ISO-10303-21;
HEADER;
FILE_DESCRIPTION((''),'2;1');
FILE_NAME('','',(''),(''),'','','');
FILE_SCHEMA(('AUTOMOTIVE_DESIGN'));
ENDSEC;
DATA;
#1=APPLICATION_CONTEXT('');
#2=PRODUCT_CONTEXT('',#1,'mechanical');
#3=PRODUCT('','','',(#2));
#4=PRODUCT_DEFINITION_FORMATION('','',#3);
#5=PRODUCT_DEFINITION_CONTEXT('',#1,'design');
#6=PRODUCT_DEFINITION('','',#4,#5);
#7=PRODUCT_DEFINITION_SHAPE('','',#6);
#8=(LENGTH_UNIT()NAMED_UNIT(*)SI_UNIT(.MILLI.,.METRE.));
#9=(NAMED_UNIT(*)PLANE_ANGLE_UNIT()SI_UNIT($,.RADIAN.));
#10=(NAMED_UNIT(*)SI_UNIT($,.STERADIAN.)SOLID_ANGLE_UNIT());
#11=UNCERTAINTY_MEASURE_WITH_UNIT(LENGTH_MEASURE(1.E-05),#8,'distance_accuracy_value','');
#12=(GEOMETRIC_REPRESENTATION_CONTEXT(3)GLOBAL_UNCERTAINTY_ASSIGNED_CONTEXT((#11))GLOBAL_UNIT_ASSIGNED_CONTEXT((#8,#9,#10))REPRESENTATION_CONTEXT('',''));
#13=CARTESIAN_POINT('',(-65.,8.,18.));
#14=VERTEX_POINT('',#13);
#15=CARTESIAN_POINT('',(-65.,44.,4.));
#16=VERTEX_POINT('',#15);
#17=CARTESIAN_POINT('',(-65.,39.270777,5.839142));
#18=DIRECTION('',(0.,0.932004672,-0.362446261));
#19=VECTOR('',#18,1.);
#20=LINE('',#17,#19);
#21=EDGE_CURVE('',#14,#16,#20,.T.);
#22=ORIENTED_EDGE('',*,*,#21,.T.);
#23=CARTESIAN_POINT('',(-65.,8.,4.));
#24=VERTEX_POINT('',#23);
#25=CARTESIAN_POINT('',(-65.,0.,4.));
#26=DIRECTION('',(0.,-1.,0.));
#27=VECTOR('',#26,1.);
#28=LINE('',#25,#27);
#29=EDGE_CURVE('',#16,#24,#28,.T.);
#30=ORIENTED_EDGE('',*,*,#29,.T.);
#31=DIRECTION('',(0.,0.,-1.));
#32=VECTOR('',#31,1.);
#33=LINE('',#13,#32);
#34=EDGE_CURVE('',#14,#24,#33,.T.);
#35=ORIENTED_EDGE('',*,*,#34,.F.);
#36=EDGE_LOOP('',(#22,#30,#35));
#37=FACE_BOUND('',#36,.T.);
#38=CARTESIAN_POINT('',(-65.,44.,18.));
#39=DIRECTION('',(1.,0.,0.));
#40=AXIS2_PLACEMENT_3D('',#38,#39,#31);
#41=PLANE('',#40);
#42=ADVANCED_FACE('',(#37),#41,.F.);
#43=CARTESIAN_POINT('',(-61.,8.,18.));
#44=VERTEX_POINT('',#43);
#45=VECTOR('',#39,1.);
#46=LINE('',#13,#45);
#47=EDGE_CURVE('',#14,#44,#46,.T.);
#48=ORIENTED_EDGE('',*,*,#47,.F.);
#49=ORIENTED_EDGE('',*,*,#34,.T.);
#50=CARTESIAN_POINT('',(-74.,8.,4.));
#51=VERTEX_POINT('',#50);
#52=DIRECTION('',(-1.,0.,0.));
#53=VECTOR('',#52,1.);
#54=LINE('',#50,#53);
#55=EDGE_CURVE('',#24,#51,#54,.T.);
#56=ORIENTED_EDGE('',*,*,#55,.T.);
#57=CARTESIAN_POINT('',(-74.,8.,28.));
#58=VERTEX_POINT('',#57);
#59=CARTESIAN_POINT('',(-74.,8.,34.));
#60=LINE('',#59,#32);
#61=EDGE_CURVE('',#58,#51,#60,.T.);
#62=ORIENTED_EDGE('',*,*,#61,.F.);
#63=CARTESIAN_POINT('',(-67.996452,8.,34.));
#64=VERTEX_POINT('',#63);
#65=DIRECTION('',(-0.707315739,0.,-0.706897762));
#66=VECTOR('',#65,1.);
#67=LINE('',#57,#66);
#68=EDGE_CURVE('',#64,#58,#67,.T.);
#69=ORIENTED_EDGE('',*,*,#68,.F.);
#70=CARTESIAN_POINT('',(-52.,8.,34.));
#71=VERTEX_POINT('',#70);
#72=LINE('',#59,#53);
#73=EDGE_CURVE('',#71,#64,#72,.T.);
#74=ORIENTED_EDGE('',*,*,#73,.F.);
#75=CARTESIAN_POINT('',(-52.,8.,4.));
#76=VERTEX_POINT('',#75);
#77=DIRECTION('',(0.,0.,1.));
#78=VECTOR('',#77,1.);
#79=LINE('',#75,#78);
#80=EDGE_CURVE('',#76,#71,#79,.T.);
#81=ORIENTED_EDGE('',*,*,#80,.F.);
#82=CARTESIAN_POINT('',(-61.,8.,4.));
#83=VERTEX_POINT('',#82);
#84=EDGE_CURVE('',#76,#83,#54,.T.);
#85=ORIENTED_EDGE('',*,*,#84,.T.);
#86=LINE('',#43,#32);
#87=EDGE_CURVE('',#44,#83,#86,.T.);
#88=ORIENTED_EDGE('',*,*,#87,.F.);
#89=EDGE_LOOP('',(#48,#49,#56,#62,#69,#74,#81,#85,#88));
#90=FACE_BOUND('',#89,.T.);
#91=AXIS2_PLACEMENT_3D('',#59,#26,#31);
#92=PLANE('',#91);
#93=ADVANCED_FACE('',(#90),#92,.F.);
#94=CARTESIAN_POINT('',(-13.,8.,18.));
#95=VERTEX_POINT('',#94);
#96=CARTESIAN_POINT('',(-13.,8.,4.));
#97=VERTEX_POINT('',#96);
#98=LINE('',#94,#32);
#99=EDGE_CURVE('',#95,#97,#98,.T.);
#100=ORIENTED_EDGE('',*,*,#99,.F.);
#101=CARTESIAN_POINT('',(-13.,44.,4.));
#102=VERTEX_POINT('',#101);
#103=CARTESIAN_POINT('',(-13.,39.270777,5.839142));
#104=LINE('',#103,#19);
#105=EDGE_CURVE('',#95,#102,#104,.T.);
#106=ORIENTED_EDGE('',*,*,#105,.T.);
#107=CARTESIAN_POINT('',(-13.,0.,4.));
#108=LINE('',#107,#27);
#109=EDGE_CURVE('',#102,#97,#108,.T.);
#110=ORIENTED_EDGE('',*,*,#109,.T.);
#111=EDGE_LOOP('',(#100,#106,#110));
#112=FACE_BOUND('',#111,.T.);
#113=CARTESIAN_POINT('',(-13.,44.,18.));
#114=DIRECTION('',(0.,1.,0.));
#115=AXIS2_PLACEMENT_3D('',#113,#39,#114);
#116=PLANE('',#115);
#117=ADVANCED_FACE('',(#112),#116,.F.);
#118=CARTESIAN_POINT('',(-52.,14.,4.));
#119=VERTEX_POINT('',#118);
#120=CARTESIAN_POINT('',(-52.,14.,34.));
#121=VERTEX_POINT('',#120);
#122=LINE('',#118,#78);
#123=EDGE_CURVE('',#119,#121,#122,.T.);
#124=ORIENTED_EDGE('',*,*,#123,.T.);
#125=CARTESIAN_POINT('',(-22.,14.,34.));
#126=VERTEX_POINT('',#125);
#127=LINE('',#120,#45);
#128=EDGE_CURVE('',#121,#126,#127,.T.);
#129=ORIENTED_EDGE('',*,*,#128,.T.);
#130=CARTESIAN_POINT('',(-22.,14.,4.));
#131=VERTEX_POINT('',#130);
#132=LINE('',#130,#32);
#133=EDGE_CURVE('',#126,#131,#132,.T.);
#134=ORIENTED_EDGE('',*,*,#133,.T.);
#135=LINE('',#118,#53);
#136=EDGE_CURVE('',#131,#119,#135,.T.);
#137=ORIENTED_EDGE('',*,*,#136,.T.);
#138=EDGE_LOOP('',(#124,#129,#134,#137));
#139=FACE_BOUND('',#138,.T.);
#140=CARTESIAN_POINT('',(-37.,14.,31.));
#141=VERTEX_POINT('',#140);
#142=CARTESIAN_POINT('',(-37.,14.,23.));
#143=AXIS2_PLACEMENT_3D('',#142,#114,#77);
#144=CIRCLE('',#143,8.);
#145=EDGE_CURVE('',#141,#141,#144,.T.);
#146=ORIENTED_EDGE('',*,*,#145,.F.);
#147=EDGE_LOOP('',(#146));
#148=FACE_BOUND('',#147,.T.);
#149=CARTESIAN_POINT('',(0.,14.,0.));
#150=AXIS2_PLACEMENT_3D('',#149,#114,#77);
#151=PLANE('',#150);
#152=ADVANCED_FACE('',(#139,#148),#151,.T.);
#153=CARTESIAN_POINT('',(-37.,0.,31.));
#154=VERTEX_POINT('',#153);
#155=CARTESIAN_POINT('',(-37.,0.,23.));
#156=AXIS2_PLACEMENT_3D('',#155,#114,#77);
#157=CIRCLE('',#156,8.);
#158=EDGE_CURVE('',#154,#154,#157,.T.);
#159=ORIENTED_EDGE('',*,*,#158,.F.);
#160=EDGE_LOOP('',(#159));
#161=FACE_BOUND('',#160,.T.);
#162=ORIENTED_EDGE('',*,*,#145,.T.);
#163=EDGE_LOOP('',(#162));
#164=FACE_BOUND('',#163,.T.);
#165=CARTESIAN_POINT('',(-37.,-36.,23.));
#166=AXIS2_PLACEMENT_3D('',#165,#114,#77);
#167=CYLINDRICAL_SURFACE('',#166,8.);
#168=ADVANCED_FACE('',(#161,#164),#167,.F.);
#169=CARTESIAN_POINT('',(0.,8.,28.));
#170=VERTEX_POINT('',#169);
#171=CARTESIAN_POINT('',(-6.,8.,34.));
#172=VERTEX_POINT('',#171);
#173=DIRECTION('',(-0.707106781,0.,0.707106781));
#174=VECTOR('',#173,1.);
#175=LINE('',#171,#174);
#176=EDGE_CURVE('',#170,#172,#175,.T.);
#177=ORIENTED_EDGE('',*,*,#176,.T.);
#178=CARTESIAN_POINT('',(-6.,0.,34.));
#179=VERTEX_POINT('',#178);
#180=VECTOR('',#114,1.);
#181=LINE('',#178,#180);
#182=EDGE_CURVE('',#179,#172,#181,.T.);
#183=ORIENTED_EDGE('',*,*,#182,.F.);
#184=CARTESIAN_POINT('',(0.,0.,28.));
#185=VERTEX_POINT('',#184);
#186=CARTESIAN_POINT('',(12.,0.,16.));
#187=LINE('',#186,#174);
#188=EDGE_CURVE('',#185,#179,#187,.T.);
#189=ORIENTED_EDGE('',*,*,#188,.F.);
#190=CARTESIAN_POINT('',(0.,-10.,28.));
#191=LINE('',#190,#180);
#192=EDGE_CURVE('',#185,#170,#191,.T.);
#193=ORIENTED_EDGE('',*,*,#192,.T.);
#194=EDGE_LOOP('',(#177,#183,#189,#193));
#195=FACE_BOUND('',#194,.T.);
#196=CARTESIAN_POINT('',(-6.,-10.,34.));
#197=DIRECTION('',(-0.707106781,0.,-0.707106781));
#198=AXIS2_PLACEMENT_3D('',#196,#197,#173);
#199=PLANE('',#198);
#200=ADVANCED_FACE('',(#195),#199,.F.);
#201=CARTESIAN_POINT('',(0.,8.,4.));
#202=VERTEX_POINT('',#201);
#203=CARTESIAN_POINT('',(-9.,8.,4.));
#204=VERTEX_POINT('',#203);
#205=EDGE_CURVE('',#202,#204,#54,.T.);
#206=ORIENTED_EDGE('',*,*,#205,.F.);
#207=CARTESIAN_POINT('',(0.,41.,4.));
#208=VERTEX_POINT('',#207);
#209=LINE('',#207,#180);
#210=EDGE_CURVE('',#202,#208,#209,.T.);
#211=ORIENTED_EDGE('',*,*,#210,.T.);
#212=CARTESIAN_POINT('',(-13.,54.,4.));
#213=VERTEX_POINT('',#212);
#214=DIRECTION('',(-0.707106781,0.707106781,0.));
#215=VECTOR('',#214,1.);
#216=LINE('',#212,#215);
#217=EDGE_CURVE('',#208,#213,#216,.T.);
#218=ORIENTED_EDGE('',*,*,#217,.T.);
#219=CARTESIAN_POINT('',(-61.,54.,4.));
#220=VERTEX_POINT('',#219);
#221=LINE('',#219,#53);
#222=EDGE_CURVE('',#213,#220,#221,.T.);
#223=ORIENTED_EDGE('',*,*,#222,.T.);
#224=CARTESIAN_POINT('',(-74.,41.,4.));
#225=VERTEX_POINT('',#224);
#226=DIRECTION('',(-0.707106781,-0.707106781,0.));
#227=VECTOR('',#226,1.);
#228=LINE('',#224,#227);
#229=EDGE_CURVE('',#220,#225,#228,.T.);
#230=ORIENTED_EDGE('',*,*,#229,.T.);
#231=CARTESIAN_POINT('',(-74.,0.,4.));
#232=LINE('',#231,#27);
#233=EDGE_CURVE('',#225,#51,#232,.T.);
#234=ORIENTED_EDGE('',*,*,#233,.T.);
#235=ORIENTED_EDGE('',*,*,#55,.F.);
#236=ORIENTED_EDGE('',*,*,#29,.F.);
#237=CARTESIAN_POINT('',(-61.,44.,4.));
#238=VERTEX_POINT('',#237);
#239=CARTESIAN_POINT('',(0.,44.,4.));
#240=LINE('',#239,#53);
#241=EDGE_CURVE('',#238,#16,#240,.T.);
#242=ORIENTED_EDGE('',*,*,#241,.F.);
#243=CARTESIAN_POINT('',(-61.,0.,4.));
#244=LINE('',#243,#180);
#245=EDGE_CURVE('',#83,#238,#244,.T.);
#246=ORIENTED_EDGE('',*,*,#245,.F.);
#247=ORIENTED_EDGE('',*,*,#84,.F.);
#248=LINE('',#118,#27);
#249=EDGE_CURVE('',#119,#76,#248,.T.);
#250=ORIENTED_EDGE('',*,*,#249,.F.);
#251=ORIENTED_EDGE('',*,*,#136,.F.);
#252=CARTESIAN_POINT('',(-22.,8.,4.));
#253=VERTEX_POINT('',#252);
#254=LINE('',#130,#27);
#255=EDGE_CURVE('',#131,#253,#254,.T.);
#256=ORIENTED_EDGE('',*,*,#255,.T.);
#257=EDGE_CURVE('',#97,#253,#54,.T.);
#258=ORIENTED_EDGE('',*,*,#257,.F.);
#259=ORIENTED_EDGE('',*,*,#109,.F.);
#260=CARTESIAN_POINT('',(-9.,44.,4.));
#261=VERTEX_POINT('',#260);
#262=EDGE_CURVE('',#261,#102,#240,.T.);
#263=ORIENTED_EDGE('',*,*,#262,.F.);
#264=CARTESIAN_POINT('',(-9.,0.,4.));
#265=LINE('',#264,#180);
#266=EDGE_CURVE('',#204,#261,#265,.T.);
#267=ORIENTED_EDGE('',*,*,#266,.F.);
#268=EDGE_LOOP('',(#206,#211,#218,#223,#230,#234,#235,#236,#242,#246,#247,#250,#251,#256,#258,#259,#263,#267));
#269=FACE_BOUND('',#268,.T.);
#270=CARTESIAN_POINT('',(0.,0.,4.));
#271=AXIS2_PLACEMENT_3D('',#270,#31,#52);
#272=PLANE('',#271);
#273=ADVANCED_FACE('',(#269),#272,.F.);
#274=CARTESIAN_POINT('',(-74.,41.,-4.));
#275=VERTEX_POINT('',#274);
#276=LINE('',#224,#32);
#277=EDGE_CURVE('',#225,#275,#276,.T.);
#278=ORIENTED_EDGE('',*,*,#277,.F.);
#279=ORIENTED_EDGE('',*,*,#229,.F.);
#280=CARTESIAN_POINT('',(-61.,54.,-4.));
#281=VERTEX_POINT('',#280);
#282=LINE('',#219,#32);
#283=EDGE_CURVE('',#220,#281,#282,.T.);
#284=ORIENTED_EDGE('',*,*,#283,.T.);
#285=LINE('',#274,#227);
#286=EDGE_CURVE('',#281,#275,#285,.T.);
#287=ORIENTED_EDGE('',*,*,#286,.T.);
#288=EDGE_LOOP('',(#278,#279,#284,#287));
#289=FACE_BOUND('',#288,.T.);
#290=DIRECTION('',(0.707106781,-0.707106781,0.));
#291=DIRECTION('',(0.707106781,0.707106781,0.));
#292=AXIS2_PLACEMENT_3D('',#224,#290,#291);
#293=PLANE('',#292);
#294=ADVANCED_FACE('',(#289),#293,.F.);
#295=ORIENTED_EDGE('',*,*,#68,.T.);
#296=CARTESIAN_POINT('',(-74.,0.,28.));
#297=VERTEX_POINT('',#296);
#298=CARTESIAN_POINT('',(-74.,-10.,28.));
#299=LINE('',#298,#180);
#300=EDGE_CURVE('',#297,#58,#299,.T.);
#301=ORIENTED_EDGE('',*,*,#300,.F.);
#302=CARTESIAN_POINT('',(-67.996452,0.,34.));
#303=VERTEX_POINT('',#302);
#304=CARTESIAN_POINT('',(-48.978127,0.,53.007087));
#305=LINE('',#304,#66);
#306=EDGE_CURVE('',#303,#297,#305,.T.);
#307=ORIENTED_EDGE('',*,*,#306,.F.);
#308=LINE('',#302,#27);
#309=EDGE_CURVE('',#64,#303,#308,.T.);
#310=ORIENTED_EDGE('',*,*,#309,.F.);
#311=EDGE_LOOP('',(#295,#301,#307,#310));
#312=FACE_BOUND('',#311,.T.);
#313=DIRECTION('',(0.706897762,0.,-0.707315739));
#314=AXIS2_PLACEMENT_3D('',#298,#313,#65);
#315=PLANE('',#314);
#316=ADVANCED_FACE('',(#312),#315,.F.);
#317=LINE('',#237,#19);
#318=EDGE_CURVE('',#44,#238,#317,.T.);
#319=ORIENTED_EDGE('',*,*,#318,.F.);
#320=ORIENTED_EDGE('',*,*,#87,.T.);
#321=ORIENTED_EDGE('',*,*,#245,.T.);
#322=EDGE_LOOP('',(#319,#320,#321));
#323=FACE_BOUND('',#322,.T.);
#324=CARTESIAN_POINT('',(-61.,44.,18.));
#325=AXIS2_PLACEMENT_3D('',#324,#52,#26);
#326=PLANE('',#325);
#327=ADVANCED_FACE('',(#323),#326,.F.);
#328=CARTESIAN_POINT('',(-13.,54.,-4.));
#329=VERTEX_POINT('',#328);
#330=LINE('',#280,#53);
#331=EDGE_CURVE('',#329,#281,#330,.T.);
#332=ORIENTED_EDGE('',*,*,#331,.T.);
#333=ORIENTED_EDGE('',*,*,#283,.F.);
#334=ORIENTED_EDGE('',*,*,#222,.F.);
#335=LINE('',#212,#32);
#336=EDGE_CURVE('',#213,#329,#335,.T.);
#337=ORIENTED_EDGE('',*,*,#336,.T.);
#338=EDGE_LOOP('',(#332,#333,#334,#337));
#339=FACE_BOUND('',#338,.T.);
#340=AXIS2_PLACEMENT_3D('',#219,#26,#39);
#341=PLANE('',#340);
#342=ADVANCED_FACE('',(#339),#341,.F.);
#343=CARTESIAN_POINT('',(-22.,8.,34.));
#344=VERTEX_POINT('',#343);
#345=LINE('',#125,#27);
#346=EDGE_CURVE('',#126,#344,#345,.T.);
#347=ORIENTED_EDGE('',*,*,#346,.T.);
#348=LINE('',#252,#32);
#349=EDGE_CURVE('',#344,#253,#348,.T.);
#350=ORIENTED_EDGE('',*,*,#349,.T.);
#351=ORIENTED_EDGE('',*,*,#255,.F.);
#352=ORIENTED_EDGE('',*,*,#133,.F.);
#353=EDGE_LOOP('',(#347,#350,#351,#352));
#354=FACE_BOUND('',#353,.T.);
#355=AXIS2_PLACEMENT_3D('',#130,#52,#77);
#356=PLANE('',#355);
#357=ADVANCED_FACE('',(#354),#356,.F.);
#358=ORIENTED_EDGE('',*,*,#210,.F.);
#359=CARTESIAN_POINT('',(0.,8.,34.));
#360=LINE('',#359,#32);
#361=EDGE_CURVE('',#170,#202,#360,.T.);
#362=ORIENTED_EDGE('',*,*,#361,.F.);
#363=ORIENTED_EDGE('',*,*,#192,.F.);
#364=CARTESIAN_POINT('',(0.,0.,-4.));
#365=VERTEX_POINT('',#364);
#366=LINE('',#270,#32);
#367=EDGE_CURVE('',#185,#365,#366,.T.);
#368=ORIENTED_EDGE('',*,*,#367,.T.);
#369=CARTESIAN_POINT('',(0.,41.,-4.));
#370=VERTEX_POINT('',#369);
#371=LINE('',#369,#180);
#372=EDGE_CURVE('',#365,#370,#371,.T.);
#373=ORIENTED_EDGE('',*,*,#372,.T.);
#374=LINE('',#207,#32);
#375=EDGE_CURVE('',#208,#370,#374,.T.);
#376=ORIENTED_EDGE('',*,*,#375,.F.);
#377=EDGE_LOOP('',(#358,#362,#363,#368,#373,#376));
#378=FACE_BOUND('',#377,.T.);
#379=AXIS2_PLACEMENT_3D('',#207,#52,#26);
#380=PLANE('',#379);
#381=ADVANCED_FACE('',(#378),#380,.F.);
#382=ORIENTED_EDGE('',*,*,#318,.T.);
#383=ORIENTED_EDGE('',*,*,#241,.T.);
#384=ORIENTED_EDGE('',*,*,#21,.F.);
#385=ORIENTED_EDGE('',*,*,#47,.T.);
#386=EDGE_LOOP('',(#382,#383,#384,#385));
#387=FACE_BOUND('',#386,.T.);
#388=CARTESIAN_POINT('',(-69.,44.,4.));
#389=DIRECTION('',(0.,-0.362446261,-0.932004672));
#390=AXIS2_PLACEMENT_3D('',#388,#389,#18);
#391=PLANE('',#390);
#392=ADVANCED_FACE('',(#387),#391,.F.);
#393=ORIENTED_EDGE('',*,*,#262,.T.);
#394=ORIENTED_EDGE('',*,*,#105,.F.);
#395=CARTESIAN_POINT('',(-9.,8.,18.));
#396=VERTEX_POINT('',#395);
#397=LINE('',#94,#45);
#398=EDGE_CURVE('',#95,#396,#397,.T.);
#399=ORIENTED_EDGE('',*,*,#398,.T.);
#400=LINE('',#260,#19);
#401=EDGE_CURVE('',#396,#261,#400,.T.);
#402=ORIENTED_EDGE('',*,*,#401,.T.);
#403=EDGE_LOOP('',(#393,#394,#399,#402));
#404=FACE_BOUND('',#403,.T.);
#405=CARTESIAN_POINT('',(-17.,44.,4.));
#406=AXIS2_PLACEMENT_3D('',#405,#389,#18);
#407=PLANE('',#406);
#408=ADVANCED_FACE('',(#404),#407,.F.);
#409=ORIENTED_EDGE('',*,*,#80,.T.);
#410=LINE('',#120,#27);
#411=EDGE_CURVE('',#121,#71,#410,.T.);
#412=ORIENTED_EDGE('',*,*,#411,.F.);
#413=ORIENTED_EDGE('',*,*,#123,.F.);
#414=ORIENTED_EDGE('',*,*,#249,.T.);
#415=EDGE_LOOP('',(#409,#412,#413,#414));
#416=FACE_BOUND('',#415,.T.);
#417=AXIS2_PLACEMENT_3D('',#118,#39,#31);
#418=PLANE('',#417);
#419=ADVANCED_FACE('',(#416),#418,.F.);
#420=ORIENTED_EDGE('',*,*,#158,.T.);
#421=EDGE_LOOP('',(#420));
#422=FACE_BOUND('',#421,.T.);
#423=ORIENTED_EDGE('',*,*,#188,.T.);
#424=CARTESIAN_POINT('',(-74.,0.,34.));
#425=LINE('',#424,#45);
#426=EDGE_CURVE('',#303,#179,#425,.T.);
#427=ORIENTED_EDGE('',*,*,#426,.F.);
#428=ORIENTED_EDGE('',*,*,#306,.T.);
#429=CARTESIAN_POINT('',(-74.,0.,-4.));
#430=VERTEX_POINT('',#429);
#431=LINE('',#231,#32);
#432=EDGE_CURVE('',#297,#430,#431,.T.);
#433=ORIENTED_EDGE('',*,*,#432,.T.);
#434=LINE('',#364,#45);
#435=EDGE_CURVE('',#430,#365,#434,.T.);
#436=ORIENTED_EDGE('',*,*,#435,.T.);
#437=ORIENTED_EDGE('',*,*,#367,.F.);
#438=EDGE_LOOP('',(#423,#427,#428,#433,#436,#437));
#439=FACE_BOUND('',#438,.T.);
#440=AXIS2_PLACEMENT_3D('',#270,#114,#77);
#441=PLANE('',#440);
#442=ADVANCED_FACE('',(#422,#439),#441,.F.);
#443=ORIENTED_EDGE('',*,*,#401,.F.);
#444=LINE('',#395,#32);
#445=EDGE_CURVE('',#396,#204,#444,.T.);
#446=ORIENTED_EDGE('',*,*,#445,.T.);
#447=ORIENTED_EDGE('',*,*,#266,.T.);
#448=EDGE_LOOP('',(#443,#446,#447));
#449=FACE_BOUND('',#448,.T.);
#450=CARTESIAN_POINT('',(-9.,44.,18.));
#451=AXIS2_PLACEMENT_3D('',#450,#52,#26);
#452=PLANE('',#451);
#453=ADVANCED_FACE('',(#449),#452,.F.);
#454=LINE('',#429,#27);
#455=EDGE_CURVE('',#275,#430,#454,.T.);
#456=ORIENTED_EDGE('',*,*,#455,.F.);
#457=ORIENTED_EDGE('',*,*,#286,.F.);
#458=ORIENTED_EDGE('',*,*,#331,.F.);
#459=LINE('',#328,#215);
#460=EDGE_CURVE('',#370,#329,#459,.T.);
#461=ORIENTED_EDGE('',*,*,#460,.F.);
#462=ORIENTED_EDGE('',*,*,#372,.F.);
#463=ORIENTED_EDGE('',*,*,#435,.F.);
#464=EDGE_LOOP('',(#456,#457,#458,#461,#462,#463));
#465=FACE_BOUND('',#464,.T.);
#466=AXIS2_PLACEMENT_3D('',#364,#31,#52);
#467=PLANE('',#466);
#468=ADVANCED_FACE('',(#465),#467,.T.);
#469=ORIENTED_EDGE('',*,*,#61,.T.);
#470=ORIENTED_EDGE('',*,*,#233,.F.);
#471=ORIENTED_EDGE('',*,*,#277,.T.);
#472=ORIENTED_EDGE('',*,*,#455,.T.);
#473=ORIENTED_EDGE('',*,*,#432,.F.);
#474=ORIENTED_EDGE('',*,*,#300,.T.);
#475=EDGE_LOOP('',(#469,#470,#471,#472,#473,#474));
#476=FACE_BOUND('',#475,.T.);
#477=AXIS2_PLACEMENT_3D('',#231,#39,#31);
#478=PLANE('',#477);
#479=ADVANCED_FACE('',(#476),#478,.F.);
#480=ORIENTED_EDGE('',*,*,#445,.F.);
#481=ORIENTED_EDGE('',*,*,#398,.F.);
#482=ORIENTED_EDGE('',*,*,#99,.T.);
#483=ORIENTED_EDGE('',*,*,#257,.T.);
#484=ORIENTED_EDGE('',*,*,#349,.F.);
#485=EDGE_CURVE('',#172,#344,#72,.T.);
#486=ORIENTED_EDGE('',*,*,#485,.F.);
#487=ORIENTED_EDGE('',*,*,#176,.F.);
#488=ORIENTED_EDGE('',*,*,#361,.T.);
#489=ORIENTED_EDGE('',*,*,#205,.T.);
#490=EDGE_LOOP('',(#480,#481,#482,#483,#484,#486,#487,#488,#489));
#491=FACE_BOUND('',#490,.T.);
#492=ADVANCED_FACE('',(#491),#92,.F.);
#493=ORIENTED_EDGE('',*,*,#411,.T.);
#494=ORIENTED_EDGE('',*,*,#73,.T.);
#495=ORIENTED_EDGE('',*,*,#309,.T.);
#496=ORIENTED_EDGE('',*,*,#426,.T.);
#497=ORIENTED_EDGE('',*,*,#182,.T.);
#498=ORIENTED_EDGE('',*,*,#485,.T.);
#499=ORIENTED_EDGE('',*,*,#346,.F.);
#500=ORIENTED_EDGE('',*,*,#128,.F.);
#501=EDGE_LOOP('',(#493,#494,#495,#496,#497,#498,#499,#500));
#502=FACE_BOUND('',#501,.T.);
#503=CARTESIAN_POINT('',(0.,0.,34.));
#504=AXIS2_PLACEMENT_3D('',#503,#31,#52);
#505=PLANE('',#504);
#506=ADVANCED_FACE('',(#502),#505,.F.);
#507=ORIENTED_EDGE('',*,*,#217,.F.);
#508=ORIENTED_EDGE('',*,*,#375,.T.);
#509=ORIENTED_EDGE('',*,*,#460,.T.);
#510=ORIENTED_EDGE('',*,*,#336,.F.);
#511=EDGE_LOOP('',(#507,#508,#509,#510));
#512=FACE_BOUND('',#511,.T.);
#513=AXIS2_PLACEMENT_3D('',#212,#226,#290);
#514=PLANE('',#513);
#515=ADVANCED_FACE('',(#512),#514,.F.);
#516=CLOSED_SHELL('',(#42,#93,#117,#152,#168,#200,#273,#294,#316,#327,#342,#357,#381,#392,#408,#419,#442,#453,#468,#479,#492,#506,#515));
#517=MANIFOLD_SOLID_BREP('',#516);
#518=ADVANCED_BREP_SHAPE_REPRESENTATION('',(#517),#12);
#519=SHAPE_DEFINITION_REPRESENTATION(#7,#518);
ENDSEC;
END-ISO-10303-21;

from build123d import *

# Parameters (mm, degrees)
BOSS_EXTRUDE4_DEPTH  = 4
SKETCH5_W            = 74
SKETCH5_H            = 8
BOSS_EXTRUDE5_DEPTH  = 30
SKETCH6_W            = 4
SKETCH6_H            = 36
BOSS_EXTRUDE6_DEPTH  = 18
CUT_EXTRUDE2_DEPTH   = 18
SKETCH9_W            = 30
SKETCH9_H            = 30
BOSS_EXTRUDE11_DEPTH = 6
SKETCH10_R           = 8
CUT_EXTRUDE3_DEPTH   = 50
CUT_EXTRUDE4_DEPTH   = 8
CUT_EXTRUDE5_DEPTH   = 8


with BuildPart() as part:
    # Sketch1 → Boss-Extrude4 (new, symmetric)
    with BuildSketch(Plane.XY):
        Polygon((-74, 0), (-74, 41), (-61, 54), (-13, 54), (0, 41), (0, 0), align=None)
    extrude(amount=BOSS_EXTRUDE4_DEPTH, both=True)

    # Sketch5 → Boss-Extrude5 (add)
    with BuildSketch(Plane.XY.offset(4)):
        with Locations((-37, 4)):
            Rectangle(SKETCH5_W, SKETCH5_H)
    extrude(amount=BOSS_EXTRUDE5_DEPTH)

    # Sketch6 → Boss-Extrude6 (add)
    with BuildSketch(Plane.XY):
        with Locations((-63, 26)):
            Rectangle(SKETCH6_W, SKETCH6_H)
        with Locations((-11, 26)):
            Rectangle(SKETCH6_W, SKETCH6_H)
    extrude(amount=BOSS_EXTRUDE6_DEPTH)

    # Sketch8 → Cut-Extrude2 (cut)
    with BuildSketch(Plane(origin=(0, 8, 0), x_dir=(1, 0, 0), z_dir=(0, 1, 0))):
        Polygon((-74, -28), (-67.996452301, -34), (-74, -34), align=None)
        Polygon((0, -34), (-6, -34), (0, -28), align=None)
    extrude(amount=-CUT_EXTRUDE2_DEPTH, mode=Mode.SUBTRACT)

    # Sketch9 → Boss-Extrude11 (add)
    with BuildSketch(Plane(origin=(0, 8, 0), x_dir=(1, 0, 0), z_dir=(0, 1, 0))):
        with Locations((-37, -19)):
            Rectangle(SKETCH9_W, SKETCH9_H)
    extrude(amount=BOSS_EXTRUDE11_DEPTH)

    # Sketch10 → Cut-Extrude3 (cut)
    with BuildSketch(Plane(origin=(0, 14, 0), x_dir=(1, 0, 0), z_dir=(0, 1, 0))):
        with Locations(Location((-37, -23, 0), (0, 0, 270))):
            Circle(SKETCH10_R)
    extrude(amount=-CUT_EXTRUDE3_DEPTH, mode=Mode.SUBTRACT)

    # Sketch11 → Cut-Extrude4 (cut)
    with BuildSketch(Plane(origin=(-9, 0, 0), x_dir=(0, 0, -1), z_dir=(1, 0, 0))):
        Polygon((-4, 44), (-18, 8), (-18, 44), align=None)
    extrude(amount=-CUT_EXTRUDE4_DEPTH, mode=Mode.SUBTRACT)

    # Sketch12 → Cut-Extrude5 (cut)
    with BuildSketch(Plane(origin=(-61, 0, 0), x_dir=(0, 0, -1), z_dir=(1, 0, 0))):
        Polygon((-4, 44), (-18, 8), (-18, 44), align=None)
    extrude(amount=-CUT_EXTRUDE5_DEPTH, mode=Mode.SUBTRACT)


solid = part.part
